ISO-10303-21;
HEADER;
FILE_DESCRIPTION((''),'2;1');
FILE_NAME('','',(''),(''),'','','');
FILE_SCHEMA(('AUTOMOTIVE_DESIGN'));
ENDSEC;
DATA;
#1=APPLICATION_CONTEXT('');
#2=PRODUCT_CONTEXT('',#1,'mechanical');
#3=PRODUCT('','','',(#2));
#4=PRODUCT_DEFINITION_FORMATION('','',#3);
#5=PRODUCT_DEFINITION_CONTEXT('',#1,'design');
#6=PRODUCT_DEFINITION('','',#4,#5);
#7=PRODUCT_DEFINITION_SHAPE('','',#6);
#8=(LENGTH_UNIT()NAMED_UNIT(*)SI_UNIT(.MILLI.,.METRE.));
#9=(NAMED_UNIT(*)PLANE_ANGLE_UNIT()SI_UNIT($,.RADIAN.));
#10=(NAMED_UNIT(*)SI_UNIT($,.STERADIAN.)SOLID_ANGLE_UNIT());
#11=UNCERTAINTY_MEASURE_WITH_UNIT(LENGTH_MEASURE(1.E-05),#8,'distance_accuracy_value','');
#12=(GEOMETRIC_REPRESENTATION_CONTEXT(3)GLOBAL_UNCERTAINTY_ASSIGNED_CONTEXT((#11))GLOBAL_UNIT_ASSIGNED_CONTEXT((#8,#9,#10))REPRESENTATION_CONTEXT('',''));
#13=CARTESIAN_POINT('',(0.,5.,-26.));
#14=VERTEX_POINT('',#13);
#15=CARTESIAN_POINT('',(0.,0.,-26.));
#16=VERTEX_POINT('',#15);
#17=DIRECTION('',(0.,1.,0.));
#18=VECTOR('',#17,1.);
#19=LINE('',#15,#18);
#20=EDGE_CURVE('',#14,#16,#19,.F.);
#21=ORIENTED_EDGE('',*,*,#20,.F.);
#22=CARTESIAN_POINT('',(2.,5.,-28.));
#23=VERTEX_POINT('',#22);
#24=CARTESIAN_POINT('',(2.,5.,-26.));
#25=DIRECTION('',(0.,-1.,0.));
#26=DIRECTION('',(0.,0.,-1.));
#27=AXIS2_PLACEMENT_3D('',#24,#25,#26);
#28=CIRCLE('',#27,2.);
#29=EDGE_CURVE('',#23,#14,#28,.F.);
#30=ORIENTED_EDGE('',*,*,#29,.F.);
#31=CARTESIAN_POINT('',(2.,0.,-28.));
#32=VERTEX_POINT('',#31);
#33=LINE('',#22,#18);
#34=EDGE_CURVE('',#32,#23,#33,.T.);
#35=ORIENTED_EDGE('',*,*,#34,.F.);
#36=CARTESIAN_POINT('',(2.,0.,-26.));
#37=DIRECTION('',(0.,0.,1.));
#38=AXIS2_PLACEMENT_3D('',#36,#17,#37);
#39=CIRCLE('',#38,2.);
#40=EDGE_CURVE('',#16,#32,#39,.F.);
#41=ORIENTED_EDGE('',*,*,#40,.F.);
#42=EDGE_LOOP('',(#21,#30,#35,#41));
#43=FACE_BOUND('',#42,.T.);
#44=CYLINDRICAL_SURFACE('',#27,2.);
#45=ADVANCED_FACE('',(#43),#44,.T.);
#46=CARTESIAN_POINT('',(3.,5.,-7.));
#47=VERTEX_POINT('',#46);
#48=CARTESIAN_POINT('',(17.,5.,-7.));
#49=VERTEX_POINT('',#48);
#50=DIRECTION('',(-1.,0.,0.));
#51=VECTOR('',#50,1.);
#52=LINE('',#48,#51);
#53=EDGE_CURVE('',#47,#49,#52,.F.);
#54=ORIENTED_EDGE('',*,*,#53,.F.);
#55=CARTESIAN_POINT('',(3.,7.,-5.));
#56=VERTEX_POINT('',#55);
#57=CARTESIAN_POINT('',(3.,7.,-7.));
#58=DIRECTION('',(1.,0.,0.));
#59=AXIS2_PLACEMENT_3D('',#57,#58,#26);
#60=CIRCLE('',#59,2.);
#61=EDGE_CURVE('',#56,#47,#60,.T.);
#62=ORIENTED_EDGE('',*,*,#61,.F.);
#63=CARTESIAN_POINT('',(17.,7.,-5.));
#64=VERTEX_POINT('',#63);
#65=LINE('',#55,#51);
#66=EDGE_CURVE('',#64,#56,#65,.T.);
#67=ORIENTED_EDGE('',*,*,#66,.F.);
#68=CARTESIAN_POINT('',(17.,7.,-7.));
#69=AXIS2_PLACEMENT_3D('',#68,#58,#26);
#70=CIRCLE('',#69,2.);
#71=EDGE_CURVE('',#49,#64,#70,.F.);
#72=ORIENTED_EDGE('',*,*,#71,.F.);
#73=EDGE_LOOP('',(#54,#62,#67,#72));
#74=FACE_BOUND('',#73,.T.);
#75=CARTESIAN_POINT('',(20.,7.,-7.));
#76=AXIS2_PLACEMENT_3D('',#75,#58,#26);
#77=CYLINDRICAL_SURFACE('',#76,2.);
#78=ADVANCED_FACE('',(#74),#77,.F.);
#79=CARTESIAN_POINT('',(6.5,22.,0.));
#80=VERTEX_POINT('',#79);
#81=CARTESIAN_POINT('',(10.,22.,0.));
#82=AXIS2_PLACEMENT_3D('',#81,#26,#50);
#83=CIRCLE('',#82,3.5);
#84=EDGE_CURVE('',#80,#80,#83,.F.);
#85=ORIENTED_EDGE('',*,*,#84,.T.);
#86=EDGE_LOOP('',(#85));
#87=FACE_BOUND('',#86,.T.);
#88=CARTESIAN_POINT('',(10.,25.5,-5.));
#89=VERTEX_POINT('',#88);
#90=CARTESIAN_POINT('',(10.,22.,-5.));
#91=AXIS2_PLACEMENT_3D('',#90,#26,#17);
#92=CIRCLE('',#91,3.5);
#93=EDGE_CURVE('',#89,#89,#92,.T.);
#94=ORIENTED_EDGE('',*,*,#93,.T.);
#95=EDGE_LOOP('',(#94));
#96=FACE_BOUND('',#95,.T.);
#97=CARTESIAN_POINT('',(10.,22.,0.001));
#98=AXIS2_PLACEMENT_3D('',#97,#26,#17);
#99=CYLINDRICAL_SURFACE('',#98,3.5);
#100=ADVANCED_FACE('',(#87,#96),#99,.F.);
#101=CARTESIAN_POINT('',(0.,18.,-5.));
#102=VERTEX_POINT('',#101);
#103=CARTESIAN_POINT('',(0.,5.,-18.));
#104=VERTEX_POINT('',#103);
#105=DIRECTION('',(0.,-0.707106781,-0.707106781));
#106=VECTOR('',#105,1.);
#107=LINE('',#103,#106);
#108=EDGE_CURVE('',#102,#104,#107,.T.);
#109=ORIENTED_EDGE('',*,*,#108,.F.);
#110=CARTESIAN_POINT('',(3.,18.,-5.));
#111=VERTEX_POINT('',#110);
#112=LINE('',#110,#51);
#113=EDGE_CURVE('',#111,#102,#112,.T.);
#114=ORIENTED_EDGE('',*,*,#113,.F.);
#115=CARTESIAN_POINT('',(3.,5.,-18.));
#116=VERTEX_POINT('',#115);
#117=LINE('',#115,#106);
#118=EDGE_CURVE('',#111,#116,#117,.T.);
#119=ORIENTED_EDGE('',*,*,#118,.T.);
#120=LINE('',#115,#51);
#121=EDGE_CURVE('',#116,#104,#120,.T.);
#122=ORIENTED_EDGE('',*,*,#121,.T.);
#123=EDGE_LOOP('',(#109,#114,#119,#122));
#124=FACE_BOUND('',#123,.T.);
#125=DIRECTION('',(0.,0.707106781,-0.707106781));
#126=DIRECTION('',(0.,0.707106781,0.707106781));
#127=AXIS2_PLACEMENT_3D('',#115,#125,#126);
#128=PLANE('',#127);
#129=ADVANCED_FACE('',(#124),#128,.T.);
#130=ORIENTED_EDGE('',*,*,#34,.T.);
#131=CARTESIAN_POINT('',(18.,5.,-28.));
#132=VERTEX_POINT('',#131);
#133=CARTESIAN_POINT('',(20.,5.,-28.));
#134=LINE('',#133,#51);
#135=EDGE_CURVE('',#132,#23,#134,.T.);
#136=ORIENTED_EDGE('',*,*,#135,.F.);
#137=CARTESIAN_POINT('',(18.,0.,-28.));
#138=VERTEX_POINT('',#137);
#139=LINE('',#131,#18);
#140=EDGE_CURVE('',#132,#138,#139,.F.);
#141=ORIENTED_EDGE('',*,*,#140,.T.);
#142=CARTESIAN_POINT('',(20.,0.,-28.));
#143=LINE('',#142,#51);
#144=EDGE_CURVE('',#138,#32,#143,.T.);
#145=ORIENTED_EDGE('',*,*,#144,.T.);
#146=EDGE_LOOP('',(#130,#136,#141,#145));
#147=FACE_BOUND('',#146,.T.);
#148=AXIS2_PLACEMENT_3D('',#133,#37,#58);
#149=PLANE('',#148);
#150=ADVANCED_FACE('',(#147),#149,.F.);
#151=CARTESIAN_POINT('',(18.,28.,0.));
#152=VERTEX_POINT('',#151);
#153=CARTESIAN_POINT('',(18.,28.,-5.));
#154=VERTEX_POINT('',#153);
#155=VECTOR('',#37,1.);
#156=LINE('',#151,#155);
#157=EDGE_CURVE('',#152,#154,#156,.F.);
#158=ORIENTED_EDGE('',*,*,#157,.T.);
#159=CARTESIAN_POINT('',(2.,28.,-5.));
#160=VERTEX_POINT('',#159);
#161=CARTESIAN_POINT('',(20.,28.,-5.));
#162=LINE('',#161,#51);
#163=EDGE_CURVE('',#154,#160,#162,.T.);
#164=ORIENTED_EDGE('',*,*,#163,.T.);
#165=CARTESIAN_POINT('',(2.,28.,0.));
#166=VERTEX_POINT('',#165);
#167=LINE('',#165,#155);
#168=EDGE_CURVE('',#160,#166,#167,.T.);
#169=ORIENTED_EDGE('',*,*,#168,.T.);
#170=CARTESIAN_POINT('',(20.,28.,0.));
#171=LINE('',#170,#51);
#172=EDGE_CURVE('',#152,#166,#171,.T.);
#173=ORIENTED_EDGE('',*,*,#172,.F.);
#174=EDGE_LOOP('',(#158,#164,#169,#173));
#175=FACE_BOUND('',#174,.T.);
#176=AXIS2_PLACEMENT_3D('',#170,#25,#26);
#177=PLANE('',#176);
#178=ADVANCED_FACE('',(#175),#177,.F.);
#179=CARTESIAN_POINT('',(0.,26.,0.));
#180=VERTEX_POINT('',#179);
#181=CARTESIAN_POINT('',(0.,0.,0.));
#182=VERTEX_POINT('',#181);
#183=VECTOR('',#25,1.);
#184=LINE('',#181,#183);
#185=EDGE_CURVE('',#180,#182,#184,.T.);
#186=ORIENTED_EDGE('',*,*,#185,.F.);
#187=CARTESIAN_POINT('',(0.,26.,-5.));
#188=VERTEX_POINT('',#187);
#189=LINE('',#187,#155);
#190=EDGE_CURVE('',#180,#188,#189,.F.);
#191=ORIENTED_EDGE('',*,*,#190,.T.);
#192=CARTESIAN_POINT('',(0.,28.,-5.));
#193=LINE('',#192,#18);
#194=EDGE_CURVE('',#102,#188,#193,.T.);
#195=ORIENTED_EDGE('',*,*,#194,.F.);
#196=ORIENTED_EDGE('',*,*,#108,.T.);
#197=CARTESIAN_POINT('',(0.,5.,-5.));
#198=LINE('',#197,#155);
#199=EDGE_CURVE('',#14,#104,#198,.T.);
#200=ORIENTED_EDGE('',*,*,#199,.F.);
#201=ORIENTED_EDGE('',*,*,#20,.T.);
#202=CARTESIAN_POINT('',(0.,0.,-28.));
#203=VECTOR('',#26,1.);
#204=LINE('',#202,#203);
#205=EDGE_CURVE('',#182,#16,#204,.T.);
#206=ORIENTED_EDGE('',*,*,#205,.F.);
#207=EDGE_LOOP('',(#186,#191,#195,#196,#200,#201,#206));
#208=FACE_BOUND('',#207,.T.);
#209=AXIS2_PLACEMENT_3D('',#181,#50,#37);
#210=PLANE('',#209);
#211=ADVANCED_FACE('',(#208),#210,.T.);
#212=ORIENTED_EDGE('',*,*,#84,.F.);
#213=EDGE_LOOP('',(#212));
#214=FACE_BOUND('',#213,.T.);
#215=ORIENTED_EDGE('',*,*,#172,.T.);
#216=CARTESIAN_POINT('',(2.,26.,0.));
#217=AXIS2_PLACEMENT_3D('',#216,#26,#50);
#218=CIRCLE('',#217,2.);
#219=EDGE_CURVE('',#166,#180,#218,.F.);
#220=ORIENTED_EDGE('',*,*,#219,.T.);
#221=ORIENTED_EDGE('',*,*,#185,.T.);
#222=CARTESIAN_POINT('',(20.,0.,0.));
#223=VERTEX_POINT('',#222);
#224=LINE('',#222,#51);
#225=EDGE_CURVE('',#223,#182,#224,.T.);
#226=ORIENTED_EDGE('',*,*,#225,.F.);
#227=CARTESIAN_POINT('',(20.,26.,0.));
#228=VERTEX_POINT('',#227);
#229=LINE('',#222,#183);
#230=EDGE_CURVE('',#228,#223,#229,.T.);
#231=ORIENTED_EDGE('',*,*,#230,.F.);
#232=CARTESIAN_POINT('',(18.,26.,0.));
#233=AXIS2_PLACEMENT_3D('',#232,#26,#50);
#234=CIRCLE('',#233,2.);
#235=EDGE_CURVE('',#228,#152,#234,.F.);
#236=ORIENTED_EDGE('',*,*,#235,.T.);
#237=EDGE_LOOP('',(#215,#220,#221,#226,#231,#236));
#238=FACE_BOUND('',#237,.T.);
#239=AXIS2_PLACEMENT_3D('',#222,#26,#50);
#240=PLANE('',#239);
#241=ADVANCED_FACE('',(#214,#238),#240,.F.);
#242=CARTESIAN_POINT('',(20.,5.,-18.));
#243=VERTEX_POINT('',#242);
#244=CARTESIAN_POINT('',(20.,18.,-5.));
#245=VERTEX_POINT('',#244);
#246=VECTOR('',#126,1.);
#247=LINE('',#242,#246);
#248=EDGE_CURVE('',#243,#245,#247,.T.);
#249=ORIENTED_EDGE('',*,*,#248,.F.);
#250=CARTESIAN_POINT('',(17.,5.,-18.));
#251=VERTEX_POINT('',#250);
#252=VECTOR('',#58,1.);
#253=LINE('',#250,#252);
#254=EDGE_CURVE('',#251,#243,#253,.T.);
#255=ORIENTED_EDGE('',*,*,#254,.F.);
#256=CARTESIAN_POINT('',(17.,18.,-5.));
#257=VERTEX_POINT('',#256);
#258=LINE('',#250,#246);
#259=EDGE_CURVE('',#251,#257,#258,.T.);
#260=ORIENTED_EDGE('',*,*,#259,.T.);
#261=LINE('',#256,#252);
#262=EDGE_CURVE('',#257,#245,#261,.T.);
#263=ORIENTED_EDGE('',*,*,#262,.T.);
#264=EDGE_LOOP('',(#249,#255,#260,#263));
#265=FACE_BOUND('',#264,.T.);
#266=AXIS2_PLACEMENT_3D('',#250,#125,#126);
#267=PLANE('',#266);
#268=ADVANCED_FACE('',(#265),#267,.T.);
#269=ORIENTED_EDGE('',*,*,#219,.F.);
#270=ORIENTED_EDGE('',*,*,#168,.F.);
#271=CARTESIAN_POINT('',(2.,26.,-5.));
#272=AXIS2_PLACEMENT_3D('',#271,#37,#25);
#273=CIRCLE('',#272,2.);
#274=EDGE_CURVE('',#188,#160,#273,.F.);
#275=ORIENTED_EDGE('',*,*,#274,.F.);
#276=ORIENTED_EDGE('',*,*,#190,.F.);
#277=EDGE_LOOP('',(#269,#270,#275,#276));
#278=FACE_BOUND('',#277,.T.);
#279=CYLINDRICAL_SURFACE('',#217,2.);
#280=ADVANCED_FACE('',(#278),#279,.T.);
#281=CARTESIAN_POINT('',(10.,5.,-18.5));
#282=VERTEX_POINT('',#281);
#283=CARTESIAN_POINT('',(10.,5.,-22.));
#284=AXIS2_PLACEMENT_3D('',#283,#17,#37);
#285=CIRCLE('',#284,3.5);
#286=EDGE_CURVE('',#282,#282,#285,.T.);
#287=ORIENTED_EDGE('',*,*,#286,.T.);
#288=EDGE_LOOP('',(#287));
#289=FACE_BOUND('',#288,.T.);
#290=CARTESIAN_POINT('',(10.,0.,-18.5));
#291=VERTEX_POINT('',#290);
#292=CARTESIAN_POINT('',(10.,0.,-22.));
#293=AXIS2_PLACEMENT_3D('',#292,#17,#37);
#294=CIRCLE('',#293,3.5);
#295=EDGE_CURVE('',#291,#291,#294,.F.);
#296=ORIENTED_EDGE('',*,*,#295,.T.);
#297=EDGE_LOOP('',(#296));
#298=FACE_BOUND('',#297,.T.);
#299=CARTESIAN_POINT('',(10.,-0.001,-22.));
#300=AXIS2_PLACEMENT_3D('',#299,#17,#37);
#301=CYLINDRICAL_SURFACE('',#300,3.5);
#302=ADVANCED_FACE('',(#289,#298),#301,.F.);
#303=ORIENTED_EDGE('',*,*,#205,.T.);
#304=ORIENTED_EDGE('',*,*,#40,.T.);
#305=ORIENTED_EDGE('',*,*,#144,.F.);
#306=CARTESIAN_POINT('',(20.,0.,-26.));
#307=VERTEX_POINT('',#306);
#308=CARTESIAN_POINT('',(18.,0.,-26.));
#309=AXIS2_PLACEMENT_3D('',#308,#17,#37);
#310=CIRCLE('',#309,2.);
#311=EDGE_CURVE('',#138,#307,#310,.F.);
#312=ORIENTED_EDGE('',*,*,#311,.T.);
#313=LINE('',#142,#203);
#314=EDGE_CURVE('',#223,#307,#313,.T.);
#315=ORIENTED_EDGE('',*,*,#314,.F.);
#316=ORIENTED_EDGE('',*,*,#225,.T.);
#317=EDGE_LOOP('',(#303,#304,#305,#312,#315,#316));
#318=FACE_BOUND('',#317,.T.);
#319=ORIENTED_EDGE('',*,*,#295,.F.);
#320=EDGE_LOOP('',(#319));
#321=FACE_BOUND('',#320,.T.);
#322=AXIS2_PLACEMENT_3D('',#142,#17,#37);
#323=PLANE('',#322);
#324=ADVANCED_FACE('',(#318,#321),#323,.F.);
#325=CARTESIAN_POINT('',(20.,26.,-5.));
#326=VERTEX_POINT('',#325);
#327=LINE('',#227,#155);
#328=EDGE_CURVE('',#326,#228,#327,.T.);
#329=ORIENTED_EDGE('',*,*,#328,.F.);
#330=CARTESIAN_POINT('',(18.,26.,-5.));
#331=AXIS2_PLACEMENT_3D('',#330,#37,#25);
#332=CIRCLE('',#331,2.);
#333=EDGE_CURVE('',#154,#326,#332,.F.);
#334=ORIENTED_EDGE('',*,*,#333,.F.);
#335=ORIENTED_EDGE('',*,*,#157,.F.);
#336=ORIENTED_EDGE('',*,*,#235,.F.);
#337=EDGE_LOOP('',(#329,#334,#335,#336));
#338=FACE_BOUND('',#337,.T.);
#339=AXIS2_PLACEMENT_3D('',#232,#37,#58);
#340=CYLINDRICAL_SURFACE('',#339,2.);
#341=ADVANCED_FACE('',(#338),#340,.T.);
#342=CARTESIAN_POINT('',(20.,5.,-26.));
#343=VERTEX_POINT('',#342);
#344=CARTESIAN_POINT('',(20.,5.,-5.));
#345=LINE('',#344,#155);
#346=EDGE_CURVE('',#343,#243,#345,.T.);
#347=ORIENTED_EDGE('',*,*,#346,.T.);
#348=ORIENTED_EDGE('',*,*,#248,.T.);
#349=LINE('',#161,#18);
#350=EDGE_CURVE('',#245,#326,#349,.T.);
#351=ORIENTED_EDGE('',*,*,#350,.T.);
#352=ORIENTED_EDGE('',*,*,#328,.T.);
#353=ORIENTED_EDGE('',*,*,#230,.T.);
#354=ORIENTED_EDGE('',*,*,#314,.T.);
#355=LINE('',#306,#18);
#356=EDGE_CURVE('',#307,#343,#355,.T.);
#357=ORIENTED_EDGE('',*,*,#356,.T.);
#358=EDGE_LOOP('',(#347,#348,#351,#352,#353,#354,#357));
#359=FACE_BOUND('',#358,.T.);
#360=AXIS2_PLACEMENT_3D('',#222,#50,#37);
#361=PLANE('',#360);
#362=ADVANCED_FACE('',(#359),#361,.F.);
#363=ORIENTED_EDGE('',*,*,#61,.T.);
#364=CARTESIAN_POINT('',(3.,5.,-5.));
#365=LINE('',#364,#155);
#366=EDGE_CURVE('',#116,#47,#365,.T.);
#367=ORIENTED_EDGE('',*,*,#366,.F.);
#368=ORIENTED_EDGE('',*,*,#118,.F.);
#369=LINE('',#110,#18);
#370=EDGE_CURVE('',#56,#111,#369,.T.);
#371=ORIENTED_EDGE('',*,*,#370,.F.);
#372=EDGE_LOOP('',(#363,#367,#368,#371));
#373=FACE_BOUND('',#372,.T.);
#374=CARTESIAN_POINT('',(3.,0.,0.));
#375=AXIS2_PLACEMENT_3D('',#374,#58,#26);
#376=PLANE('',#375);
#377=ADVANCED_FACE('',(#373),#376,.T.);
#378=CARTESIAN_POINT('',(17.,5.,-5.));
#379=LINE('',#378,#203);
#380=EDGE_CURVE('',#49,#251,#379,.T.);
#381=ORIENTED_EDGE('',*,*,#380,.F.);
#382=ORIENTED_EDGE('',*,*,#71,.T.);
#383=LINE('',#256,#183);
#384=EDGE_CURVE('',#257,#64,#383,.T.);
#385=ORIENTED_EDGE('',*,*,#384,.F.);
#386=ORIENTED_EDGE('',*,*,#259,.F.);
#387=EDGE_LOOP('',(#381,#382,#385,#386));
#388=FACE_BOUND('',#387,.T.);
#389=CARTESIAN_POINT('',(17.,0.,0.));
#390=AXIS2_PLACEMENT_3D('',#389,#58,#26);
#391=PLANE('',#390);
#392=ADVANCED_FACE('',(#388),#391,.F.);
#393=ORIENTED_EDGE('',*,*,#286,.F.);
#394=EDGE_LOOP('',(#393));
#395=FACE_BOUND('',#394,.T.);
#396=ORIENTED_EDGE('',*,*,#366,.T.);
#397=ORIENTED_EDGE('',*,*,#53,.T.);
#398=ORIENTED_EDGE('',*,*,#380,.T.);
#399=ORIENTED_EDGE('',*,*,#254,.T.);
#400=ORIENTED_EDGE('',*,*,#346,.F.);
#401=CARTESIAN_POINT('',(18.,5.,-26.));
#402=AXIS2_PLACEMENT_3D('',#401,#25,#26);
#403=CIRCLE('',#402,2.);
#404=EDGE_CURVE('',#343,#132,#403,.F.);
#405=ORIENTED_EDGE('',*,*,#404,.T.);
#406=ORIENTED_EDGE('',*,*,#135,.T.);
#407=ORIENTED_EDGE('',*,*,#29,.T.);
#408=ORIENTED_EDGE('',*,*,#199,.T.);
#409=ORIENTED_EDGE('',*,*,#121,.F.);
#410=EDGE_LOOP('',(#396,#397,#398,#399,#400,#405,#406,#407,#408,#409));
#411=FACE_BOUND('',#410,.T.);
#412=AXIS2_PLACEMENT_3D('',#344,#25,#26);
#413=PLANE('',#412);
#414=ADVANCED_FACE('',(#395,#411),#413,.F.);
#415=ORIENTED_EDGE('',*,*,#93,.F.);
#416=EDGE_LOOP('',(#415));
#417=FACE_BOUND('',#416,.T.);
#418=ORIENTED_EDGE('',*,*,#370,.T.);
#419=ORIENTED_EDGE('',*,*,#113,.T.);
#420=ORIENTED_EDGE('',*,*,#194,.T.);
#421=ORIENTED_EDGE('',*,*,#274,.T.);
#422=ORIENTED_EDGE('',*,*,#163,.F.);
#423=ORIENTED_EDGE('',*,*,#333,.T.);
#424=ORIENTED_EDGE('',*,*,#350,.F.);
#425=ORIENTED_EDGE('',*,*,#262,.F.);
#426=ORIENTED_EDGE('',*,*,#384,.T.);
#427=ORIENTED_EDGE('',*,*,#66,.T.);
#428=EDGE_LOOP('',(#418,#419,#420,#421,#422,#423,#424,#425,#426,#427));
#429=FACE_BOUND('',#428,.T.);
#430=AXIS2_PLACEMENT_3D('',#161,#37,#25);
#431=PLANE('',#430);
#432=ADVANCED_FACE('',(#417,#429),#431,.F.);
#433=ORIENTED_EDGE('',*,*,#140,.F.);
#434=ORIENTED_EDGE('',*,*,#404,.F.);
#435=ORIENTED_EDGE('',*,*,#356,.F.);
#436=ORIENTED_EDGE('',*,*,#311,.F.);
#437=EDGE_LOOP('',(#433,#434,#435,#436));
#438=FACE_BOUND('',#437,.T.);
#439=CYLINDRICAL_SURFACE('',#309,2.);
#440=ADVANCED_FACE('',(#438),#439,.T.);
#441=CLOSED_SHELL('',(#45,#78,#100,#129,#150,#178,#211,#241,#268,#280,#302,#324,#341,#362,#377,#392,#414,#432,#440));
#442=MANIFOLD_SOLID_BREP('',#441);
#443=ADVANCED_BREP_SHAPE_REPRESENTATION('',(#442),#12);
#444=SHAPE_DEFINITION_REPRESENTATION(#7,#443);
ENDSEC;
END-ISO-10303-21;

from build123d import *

# Parameters (mm, degrees)
BOSS_EXTRUDE3_DEPTH = 20
BOSS_EXTRUDE4_DEPTH = 3
BOSS_EXTRUDE5_DEPTH = 3
FILLET5_R           = 2
CUT_EXTRUDE1_REACH  = 43.388
SKETCH6_R           = 3.5
CUT_EXTRUDE2_REACH  = 43.388
SKETCH7_R           = 3.5


with BuildPart() as part:
    # Sketch3 → Boss-Extrude3 (new body)
    with BuildSketch(Plane(origin=(0, 0, 0), x_dir=(0, 0, -1), z_dir=(1, 0, 0))):
        Polygon((0, 0), (0, 28), (5, 28), (5, 5), (28, 5), (28, 0), align=None)
    extrude(amount=BOSS_EXTRUDE3_DEPTH)

    # Sketch4 → Boss-Extrude4 (add)
    with BuildSketch(Plane(origin=(20, 0, 0), x_dir=(0, 0, -1), z_dir=(1, 0, 0))):
        Polygon((5, 18), (5, 5), (18, 5), align=None)
    extrude(amount=-BOSS_EXTRUDE4_DEPTH)

    # Sketch5 → Boss-Extrude5 (add)
    with BuildSketch(Plane.ZY):
        Polygon((-5, 18), (-5, 5), (-18, 5), align=None)
    extrude(amount=-BOSS_EXTRUDE5_DEPTH)

    # Fillet5
    fillet5_edges = [part.edges().sort_by_distance(p)[0] for p in [
        (20, 28, -2.5),
        (10, 5, -5),
        (0, 28, -2.5),
        (0, 2.5, -28),
        (20, 2.5, -28),
    ]]
    fillet(fillet5_edges, radius=FILLET5_R)

    # Sketch6 → Cut-Extrude1 (cut, up to next)
    with BuildSketch(Plane(origin=(0, 0, -5), x_dir=(-1, 0, 0), z_dir=(0, 0, -1)), mode=Mode.PRIVATE) as cut_extrude1_sk1:
        with Locations(Location((-10, 22, 0), (0, 0, 90))):
            Circle(SKETCH6_R)
    cut_extrude1_tool1 = extrude(cut_extrude1_sk1.sketch, amount=-CUT_EXTRUDE1_REACH, mode=Mode.PRIVATE) & part.part
    add(cut_extrude1_tool1.solids().sort_by_distance((10, 22, -5))[0], mode=Mode.SUBTRACT)

    # Sketch7 → Cut-Extrude2 (cut, up to next)
    with BuildSketch(Plane(origin=(0, 5, 0), x_dir=(1, 0, 0), z_dir=(0, 1, 0)), mode=Mode.PRIVATE) as cut_extrude2_sk1:
        with Locations(Location((10, 22, 0), (0, 0, 270))):
            Circle(SKETCH7_R)
    cut_extrude2_tool1 = extrude(cut_extrude2_sk1.sketch, amount=-CUT_EXTRUDE2_REACH, mode=Mode.PRIVATE) & part.part
    add(cut_extrude2_tool1.solids().sort_by_distance((10, 5, -22))[0], mode=Mode.SUBTRACT)


solid = part.part
